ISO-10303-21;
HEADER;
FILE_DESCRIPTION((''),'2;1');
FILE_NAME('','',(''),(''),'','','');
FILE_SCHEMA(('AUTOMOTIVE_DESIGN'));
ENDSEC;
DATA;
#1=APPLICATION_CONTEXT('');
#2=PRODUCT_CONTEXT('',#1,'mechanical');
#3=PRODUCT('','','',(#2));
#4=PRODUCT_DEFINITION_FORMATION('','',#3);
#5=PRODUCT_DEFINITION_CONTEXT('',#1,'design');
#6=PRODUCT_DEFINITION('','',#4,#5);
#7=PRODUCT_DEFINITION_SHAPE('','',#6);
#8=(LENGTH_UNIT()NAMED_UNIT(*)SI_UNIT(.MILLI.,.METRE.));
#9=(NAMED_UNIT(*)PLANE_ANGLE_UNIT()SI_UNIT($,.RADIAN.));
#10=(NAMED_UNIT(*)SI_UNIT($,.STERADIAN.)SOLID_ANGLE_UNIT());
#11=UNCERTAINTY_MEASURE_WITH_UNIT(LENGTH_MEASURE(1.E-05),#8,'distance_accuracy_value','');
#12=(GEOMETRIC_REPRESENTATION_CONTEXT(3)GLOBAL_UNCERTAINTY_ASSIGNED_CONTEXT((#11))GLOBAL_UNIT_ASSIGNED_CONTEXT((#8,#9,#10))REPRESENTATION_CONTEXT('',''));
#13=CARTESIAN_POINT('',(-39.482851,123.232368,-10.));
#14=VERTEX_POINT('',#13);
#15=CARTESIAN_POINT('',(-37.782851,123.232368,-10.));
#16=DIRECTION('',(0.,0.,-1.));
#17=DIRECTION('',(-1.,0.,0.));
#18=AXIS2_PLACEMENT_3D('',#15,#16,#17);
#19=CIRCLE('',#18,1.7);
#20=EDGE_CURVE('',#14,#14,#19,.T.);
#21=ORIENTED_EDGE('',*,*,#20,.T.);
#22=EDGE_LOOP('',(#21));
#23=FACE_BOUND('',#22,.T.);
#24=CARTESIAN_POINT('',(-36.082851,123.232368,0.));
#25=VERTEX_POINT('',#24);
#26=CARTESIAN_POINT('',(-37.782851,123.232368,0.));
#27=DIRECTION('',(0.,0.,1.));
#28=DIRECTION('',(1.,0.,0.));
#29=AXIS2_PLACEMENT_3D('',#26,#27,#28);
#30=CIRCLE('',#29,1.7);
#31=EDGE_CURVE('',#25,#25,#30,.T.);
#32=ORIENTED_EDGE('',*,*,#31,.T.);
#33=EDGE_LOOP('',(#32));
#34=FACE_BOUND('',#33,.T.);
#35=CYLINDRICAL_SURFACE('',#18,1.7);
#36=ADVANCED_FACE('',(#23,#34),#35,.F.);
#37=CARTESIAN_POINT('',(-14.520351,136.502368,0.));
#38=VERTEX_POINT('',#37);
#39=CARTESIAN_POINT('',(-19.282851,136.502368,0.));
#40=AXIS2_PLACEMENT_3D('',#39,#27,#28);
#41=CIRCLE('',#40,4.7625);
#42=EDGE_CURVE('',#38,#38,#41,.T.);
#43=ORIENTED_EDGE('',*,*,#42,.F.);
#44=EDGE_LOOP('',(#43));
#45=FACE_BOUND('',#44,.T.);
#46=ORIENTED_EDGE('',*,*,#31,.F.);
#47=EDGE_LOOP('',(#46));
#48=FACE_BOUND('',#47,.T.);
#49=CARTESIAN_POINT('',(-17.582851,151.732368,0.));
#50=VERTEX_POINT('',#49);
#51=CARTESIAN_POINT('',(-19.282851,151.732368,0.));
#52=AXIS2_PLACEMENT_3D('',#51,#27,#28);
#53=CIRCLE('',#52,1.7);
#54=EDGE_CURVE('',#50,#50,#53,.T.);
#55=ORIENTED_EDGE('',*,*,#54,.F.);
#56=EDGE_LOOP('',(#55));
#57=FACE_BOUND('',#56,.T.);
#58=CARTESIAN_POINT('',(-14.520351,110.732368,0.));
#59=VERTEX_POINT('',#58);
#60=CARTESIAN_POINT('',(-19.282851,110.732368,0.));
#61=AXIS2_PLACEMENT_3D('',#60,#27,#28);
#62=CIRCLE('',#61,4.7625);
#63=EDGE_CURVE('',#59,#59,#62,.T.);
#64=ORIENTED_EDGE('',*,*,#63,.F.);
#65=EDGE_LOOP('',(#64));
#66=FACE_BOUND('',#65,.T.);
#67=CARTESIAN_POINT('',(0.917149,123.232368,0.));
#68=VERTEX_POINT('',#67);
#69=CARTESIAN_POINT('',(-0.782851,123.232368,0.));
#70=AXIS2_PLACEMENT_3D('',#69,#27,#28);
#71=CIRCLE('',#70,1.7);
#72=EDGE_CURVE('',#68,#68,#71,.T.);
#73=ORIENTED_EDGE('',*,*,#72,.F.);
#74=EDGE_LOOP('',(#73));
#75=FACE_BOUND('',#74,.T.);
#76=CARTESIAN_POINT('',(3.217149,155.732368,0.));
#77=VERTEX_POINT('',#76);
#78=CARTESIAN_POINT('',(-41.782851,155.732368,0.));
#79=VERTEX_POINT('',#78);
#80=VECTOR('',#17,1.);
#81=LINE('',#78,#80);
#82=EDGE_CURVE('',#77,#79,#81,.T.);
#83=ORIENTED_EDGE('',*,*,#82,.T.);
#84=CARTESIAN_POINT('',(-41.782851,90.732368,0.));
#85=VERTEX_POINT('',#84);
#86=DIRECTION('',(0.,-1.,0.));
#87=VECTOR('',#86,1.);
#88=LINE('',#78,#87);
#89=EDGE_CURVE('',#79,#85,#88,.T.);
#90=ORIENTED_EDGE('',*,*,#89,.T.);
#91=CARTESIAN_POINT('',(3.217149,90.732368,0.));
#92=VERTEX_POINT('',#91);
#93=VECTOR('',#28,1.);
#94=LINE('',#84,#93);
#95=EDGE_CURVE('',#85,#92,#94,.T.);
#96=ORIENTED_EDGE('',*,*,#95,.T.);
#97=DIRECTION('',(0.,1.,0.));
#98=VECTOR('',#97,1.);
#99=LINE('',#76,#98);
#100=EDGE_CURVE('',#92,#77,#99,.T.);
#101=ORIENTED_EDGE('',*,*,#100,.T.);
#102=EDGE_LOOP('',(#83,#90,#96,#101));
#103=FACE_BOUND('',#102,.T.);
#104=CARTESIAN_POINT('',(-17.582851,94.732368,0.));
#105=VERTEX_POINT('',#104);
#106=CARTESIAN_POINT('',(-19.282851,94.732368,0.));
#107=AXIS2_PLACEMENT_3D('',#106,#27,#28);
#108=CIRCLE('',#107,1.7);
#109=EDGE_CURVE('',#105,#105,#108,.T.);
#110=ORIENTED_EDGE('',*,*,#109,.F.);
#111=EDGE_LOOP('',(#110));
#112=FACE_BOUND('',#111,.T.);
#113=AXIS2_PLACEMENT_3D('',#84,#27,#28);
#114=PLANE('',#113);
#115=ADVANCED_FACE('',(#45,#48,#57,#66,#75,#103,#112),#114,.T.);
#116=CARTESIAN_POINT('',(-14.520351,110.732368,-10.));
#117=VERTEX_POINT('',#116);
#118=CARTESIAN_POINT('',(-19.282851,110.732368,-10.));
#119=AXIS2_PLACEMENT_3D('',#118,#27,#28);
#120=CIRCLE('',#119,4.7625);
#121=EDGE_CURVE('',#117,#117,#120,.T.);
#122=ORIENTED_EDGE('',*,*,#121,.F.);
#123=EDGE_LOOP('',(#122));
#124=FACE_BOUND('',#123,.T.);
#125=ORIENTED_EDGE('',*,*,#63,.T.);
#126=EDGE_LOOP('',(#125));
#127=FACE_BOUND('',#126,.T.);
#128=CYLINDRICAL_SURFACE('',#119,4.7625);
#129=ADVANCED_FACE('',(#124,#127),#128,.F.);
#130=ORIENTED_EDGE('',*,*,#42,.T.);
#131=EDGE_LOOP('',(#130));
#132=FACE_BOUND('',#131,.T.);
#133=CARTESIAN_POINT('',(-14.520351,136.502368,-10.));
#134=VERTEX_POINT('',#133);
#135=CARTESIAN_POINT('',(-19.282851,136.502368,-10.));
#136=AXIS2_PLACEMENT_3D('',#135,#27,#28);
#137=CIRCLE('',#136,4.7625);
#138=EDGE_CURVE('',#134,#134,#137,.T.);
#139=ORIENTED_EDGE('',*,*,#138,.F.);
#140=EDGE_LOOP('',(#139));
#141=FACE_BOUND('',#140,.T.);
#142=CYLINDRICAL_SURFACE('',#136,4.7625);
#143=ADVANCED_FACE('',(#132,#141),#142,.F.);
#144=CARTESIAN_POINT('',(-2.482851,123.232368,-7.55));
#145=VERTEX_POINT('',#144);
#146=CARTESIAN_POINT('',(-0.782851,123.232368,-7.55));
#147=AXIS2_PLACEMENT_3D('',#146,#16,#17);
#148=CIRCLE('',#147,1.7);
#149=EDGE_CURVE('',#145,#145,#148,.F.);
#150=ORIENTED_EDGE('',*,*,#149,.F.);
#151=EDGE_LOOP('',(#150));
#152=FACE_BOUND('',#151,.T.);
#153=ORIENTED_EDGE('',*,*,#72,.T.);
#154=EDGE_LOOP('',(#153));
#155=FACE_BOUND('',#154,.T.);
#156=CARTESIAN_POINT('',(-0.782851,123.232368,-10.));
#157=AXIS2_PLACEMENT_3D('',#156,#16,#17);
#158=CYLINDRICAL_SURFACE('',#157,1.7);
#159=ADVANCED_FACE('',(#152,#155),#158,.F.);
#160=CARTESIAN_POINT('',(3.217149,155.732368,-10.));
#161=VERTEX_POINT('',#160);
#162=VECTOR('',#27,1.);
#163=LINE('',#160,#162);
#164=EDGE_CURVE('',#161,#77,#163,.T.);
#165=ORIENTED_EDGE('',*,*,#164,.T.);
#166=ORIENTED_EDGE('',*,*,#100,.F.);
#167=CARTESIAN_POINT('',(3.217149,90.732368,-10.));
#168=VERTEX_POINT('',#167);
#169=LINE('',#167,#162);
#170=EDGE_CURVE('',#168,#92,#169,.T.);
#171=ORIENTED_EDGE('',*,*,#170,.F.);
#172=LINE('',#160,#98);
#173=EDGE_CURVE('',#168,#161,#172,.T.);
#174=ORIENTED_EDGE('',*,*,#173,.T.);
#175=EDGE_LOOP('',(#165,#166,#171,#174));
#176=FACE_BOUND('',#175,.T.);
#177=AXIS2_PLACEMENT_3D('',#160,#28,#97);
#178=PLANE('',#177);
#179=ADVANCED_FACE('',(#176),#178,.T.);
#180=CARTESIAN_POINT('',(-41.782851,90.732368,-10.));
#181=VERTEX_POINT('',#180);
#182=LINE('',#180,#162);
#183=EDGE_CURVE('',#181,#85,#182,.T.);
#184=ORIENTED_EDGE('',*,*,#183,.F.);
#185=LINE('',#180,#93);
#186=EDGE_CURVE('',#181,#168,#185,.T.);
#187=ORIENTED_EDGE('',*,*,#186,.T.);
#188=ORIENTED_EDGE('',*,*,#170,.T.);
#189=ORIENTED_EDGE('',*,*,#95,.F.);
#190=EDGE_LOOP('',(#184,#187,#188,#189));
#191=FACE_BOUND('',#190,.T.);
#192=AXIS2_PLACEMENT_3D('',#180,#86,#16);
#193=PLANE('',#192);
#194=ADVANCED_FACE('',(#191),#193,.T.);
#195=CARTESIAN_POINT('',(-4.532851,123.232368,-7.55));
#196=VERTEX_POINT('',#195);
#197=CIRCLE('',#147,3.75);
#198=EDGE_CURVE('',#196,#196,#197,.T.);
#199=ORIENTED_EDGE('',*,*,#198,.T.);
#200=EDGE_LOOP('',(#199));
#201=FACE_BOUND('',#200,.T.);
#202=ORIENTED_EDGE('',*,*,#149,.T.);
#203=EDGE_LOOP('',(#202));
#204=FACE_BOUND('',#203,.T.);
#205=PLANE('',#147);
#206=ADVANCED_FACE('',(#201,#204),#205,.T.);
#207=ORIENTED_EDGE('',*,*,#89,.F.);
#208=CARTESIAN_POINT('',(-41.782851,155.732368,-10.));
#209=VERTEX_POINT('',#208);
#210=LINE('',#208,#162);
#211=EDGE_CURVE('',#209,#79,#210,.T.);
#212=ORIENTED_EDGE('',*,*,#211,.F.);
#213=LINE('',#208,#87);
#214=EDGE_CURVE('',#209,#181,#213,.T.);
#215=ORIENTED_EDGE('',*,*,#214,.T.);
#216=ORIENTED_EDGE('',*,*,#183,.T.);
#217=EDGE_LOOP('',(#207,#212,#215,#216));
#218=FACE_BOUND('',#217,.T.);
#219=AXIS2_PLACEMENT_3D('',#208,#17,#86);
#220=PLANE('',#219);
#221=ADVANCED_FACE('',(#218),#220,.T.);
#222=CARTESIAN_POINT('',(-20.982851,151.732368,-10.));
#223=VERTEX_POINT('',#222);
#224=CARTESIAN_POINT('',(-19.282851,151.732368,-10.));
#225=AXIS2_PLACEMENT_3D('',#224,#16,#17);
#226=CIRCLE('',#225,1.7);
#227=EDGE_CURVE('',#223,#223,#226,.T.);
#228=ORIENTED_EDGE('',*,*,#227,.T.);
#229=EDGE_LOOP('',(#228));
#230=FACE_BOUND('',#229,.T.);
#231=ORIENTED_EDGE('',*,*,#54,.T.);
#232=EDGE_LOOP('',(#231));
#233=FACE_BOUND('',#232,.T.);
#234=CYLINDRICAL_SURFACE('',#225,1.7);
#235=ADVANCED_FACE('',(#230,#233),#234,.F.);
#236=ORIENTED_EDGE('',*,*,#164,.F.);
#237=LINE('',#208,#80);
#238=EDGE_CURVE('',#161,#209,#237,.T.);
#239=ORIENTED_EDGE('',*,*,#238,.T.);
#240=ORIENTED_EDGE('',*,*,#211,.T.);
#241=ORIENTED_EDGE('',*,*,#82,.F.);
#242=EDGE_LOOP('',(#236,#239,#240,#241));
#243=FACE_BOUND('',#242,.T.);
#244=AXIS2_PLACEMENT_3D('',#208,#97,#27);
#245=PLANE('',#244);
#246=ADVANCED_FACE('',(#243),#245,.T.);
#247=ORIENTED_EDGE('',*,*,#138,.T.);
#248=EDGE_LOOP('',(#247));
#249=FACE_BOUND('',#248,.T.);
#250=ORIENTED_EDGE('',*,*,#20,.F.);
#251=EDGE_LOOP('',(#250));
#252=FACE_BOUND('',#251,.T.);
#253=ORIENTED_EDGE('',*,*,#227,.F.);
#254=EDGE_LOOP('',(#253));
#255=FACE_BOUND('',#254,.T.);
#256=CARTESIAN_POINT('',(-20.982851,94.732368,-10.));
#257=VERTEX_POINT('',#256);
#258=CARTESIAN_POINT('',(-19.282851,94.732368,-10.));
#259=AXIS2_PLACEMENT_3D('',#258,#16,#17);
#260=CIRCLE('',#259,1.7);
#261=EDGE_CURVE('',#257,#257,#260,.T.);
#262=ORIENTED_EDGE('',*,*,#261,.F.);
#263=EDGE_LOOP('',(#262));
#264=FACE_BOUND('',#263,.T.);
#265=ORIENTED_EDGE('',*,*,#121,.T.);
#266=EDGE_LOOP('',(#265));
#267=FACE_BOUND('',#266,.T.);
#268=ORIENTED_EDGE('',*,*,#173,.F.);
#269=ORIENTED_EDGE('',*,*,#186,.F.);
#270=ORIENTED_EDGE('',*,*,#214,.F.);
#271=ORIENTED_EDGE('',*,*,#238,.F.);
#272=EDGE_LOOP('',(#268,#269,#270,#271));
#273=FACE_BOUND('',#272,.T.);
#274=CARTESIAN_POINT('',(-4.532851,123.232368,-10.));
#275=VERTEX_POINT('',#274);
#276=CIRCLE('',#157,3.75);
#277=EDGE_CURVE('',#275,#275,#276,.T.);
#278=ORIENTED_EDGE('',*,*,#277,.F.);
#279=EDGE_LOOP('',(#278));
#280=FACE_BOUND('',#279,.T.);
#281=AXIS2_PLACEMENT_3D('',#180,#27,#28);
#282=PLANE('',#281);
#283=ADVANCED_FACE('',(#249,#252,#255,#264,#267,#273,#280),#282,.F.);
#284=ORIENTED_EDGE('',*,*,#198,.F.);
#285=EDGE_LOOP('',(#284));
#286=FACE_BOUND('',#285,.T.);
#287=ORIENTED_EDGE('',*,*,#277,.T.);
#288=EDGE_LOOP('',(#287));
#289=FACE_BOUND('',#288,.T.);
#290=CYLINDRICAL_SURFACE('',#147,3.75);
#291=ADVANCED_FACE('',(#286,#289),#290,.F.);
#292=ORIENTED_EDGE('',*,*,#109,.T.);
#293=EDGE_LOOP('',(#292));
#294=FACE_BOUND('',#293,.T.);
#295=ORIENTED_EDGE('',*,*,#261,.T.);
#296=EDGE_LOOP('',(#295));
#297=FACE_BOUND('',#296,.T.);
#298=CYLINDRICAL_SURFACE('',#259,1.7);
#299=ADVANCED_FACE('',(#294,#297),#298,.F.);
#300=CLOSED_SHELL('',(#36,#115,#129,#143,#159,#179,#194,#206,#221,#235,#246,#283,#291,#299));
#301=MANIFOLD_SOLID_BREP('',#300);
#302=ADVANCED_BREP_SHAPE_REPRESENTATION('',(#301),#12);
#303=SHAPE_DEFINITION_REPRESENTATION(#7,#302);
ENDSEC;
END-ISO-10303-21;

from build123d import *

# Parameters (mm, degrees)
ESBO_O2_W                = 45
ESBO_O2_H                = 65
RESSALTO_EXTRUS_O2_DEPTH = 10
ESBO_O3_R                = 4.7625
CORTE_EXTRUS_O1_DEPTH    = 162.549920911
FURO_COM_FOLGA_DE_M31_D  = 3.4
ESBO_O6_R                = 3.75
CORTE_EXTRUS_O2_DEPTH    = 2.45


with BuildPart() as part:
    # Esboço2 → Ressalto-extrusão2 (new body)
    with BuildSketch(Plane.XY):
        with Locations((-19.282851211, 123.232367513)):
            Rectangle(ESBO_O2_W, ESBO_O2_H)
    extrude(amount=-RESSALTO_EXTRUS_O2_DEPTH)

    # Esboço3 → Corte-extrusão1 (cut, through all)
    with BuildSketch(Plane.XY):
        with Locations((-19.282851211, 136.502367513)):
            Circle(ESBO_O3_R)
        with Locations((-19.282851211, 110.732367513)):
            Circle(ESBO_O3_R)
    extrude(amount=-CORTE_EXTRUS_O1_DEPTH, mode=Mode.SUBTRACT)

    # Furo com folga de M31 (through all)
    with Locations(Plane(origin=(0.160463456, 1.173491391, -10), x_dir=(-1, 0, 0), z_dir=(0, 0, -1))):
        with Locations((19.443314667, 93.558876122), (19.443314667, 150.558876122), (0.943314667, 122.058876122), (37.943314667, 122.058876122)):
            Hole(FURO_COM_FOLGA_DE_M31_D / 2)

    # Esboço6 → Corte-extrusão2 (cut)
    with BuildSketch(Plane(origin=(0, 0, -10), x_dir=(-1, 0, 0), z_dir=(0, 0, -1))):
        with Locations((0.782851211, 123.232367513)):
            Circle(ESBO_O6_R)
    extrude(amount=-CORTE_EXTRUS_O2_DEPTH, mode=Mode.SUBTRACT)


solid = part.part
